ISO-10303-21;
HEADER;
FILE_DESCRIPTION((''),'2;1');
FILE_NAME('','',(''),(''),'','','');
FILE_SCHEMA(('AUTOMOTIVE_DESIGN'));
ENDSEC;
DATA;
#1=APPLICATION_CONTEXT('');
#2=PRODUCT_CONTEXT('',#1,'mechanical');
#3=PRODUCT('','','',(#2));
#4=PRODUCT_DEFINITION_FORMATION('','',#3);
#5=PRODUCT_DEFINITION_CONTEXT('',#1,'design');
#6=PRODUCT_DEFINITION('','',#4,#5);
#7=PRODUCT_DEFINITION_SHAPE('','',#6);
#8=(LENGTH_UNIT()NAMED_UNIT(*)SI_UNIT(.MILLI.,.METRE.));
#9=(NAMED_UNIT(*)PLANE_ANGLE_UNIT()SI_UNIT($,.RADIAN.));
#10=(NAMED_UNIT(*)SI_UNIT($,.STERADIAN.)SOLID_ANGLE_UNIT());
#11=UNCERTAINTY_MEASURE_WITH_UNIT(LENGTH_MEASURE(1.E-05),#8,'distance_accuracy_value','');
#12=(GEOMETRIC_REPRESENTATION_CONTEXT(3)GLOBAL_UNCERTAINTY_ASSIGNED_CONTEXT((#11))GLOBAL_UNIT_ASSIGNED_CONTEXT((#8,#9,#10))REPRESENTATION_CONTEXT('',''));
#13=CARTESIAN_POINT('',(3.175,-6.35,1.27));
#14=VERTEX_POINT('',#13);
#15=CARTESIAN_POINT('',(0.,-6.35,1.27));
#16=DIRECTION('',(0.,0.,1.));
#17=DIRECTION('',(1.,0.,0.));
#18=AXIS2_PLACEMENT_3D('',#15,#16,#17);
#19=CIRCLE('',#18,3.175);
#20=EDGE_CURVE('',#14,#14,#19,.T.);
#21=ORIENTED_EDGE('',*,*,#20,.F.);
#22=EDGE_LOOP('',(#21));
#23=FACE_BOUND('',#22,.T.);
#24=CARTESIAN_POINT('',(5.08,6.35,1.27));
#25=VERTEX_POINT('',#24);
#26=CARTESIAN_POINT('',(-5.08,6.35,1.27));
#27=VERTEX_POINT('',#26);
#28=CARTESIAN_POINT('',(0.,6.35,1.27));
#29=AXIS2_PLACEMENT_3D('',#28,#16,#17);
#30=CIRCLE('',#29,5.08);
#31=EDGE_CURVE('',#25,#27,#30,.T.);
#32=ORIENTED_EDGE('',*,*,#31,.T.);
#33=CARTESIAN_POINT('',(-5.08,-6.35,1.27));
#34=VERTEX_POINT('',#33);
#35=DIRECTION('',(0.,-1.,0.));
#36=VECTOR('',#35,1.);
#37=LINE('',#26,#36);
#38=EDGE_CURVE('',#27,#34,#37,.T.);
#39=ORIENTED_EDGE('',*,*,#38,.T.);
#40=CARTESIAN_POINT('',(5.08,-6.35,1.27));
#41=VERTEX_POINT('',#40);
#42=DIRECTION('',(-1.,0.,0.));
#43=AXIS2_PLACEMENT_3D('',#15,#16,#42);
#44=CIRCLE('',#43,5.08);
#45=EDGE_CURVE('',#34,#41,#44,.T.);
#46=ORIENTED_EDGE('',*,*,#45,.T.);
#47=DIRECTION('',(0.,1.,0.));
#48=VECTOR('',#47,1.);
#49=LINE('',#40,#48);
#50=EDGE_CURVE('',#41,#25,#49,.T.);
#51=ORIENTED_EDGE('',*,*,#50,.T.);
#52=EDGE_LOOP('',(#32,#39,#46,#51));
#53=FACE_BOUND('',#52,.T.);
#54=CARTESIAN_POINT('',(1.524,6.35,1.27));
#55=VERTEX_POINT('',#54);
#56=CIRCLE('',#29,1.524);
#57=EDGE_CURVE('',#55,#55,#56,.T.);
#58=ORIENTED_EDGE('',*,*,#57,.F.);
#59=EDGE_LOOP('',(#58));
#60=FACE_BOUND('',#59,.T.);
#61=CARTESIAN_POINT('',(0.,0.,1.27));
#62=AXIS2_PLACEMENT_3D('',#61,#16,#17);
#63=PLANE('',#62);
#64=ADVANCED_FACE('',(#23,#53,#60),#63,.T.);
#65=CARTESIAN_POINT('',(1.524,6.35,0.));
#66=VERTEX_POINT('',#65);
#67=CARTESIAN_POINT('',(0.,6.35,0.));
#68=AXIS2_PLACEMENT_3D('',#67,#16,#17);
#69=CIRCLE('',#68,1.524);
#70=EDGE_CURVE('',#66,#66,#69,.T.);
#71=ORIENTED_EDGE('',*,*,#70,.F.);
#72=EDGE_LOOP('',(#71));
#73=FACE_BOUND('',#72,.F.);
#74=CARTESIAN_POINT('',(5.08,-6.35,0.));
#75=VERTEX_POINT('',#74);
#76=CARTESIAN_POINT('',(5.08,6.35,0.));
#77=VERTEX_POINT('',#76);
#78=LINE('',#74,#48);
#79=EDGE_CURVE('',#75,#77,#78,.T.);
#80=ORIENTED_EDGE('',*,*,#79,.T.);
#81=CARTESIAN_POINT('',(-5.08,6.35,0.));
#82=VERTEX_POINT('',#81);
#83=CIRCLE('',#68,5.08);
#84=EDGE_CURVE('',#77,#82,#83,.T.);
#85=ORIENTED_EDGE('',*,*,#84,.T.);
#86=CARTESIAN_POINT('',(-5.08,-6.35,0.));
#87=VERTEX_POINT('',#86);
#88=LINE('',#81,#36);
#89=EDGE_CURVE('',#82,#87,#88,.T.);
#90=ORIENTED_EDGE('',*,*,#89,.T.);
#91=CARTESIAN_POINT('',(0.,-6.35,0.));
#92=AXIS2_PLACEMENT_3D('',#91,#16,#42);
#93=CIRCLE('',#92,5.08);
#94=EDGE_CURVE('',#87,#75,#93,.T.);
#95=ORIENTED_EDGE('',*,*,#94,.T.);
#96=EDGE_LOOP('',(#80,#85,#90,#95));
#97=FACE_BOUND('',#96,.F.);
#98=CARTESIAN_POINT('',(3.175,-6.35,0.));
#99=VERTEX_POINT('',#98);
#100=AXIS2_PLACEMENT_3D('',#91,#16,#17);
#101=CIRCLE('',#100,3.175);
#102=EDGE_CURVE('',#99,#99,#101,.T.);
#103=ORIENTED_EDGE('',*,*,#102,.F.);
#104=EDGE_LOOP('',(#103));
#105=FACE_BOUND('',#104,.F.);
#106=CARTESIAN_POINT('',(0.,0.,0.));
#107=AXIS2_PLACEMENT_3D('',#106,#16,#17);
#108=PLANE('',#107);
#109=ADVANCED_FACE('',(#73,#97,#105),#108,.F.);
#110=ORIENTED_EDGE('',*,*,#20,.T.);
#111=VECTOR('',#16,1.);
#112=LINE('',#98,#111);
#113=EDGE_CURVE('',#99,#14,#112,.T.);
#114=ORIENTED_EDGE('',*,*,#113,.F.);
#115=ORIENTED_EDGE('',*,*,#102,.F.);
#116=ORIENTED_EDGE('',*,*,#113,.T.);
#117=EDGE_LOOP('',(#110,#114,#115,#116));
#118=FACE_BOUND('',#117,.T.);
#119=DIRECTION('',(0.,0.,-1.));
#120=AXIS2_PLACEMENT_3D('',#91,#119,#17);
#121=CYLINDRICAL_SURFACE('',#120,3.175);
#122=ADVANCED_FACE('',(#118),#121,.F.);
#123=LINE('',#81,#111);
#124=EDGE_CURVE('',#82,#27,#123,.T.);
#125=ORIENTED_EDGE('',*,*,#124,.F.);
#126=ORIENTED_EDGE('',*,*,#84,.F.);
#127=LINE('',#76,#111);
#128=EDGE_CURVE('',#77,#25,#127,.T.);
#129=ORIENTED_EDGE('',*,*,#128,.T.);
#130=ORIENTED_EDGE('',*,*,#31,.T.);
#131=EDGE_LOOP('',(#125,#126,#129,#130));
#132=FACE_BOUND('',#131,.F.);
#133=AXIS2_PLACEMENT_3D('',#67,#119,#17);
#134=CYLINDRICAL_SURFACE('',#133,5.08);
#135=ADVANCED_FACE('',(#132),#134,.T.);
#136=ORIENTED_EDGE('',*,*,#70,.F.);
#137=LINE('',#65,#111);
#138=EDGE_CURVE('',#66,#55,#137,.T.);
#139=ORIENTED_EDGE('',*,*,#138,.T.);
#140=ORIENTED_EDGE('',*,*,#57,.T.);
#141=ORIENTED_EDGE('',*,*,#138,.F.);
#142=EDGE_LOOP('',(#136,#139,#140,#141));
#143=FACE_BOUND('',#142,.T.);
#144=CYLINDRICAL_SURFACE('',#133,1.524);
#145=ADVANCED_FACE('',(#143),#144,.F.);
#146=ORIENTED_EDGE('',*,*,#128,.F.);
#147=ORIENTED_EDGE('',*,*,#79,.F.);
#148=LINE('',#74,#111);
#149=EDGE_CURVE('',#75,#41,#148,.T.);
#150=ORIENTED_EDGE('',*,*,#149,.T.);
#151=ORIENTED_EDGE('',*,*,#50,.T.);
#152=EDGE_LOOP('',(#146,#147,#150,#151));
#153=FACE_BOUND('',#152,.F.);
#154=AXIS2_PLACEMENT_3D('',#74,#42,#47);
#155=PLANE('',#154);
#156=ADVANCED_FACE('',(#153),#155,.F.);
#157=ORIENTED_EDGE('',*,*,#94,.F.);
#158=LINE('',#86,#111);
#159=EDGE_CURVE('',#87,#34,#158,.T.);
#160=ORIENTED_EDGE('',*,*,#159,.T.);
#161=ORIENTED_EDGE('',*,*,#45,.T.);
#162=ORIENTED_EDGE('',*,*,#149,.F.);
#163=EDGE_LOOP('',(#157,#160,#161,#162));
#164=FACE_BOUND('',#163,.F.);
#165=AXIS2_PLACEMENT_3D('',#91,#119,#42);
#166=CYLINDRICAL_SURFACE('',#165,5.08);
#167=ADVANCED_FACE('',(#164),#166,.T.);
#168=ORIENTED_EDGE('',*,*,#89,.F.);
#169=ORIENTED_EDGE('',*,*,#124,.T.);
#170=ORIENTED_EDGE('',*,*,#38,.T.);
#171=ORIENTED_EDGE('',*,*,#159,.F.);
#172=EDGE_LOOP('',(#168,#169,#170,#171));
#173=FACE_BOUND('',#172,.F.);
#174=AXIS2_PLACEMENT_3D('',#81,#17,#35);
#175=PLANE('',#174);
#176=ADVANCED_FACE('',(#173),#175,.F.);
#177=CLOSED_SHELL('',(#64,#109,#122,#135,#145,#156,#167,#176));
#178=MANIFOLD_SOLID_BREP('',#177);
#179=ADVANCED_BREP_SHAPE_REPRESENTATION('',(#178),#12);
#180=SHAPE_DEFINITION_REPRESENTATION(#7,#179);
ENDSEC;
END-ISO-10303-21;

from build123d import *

# Parameters (mm, degrees)
F0_R     = 3.175
F0_R_2   = 1.524
F1_DEPTH = 1.27


with BuildPart() as f1:
    # F0 (on Top) → F1 (new body)
    with BuildSketch(Plane.XY):
        with BuildLine():
            ThreePointArc((5.08, 6.35), (0, 11.43), (-5.08, 6.35))
            Line((-5.08, 6.35), (-5.08, -6.35))
            ThreePointArc((-5.08, -6.35), (0, -11.43), (5.08, -6.35))
            Line((5.08, -6.35), (5.08, 6.35))
        make_face()
        with Locations((0, -6.35)):
            Circle(F0_R, mode=Mode.SUBTRACT)
        with Locations((0, 6.35)):
            Circle(F0_R_2, mode=Mode.SUBTRACT)
    extrude(amount=F1_DEPTH)


solid = f1.part
